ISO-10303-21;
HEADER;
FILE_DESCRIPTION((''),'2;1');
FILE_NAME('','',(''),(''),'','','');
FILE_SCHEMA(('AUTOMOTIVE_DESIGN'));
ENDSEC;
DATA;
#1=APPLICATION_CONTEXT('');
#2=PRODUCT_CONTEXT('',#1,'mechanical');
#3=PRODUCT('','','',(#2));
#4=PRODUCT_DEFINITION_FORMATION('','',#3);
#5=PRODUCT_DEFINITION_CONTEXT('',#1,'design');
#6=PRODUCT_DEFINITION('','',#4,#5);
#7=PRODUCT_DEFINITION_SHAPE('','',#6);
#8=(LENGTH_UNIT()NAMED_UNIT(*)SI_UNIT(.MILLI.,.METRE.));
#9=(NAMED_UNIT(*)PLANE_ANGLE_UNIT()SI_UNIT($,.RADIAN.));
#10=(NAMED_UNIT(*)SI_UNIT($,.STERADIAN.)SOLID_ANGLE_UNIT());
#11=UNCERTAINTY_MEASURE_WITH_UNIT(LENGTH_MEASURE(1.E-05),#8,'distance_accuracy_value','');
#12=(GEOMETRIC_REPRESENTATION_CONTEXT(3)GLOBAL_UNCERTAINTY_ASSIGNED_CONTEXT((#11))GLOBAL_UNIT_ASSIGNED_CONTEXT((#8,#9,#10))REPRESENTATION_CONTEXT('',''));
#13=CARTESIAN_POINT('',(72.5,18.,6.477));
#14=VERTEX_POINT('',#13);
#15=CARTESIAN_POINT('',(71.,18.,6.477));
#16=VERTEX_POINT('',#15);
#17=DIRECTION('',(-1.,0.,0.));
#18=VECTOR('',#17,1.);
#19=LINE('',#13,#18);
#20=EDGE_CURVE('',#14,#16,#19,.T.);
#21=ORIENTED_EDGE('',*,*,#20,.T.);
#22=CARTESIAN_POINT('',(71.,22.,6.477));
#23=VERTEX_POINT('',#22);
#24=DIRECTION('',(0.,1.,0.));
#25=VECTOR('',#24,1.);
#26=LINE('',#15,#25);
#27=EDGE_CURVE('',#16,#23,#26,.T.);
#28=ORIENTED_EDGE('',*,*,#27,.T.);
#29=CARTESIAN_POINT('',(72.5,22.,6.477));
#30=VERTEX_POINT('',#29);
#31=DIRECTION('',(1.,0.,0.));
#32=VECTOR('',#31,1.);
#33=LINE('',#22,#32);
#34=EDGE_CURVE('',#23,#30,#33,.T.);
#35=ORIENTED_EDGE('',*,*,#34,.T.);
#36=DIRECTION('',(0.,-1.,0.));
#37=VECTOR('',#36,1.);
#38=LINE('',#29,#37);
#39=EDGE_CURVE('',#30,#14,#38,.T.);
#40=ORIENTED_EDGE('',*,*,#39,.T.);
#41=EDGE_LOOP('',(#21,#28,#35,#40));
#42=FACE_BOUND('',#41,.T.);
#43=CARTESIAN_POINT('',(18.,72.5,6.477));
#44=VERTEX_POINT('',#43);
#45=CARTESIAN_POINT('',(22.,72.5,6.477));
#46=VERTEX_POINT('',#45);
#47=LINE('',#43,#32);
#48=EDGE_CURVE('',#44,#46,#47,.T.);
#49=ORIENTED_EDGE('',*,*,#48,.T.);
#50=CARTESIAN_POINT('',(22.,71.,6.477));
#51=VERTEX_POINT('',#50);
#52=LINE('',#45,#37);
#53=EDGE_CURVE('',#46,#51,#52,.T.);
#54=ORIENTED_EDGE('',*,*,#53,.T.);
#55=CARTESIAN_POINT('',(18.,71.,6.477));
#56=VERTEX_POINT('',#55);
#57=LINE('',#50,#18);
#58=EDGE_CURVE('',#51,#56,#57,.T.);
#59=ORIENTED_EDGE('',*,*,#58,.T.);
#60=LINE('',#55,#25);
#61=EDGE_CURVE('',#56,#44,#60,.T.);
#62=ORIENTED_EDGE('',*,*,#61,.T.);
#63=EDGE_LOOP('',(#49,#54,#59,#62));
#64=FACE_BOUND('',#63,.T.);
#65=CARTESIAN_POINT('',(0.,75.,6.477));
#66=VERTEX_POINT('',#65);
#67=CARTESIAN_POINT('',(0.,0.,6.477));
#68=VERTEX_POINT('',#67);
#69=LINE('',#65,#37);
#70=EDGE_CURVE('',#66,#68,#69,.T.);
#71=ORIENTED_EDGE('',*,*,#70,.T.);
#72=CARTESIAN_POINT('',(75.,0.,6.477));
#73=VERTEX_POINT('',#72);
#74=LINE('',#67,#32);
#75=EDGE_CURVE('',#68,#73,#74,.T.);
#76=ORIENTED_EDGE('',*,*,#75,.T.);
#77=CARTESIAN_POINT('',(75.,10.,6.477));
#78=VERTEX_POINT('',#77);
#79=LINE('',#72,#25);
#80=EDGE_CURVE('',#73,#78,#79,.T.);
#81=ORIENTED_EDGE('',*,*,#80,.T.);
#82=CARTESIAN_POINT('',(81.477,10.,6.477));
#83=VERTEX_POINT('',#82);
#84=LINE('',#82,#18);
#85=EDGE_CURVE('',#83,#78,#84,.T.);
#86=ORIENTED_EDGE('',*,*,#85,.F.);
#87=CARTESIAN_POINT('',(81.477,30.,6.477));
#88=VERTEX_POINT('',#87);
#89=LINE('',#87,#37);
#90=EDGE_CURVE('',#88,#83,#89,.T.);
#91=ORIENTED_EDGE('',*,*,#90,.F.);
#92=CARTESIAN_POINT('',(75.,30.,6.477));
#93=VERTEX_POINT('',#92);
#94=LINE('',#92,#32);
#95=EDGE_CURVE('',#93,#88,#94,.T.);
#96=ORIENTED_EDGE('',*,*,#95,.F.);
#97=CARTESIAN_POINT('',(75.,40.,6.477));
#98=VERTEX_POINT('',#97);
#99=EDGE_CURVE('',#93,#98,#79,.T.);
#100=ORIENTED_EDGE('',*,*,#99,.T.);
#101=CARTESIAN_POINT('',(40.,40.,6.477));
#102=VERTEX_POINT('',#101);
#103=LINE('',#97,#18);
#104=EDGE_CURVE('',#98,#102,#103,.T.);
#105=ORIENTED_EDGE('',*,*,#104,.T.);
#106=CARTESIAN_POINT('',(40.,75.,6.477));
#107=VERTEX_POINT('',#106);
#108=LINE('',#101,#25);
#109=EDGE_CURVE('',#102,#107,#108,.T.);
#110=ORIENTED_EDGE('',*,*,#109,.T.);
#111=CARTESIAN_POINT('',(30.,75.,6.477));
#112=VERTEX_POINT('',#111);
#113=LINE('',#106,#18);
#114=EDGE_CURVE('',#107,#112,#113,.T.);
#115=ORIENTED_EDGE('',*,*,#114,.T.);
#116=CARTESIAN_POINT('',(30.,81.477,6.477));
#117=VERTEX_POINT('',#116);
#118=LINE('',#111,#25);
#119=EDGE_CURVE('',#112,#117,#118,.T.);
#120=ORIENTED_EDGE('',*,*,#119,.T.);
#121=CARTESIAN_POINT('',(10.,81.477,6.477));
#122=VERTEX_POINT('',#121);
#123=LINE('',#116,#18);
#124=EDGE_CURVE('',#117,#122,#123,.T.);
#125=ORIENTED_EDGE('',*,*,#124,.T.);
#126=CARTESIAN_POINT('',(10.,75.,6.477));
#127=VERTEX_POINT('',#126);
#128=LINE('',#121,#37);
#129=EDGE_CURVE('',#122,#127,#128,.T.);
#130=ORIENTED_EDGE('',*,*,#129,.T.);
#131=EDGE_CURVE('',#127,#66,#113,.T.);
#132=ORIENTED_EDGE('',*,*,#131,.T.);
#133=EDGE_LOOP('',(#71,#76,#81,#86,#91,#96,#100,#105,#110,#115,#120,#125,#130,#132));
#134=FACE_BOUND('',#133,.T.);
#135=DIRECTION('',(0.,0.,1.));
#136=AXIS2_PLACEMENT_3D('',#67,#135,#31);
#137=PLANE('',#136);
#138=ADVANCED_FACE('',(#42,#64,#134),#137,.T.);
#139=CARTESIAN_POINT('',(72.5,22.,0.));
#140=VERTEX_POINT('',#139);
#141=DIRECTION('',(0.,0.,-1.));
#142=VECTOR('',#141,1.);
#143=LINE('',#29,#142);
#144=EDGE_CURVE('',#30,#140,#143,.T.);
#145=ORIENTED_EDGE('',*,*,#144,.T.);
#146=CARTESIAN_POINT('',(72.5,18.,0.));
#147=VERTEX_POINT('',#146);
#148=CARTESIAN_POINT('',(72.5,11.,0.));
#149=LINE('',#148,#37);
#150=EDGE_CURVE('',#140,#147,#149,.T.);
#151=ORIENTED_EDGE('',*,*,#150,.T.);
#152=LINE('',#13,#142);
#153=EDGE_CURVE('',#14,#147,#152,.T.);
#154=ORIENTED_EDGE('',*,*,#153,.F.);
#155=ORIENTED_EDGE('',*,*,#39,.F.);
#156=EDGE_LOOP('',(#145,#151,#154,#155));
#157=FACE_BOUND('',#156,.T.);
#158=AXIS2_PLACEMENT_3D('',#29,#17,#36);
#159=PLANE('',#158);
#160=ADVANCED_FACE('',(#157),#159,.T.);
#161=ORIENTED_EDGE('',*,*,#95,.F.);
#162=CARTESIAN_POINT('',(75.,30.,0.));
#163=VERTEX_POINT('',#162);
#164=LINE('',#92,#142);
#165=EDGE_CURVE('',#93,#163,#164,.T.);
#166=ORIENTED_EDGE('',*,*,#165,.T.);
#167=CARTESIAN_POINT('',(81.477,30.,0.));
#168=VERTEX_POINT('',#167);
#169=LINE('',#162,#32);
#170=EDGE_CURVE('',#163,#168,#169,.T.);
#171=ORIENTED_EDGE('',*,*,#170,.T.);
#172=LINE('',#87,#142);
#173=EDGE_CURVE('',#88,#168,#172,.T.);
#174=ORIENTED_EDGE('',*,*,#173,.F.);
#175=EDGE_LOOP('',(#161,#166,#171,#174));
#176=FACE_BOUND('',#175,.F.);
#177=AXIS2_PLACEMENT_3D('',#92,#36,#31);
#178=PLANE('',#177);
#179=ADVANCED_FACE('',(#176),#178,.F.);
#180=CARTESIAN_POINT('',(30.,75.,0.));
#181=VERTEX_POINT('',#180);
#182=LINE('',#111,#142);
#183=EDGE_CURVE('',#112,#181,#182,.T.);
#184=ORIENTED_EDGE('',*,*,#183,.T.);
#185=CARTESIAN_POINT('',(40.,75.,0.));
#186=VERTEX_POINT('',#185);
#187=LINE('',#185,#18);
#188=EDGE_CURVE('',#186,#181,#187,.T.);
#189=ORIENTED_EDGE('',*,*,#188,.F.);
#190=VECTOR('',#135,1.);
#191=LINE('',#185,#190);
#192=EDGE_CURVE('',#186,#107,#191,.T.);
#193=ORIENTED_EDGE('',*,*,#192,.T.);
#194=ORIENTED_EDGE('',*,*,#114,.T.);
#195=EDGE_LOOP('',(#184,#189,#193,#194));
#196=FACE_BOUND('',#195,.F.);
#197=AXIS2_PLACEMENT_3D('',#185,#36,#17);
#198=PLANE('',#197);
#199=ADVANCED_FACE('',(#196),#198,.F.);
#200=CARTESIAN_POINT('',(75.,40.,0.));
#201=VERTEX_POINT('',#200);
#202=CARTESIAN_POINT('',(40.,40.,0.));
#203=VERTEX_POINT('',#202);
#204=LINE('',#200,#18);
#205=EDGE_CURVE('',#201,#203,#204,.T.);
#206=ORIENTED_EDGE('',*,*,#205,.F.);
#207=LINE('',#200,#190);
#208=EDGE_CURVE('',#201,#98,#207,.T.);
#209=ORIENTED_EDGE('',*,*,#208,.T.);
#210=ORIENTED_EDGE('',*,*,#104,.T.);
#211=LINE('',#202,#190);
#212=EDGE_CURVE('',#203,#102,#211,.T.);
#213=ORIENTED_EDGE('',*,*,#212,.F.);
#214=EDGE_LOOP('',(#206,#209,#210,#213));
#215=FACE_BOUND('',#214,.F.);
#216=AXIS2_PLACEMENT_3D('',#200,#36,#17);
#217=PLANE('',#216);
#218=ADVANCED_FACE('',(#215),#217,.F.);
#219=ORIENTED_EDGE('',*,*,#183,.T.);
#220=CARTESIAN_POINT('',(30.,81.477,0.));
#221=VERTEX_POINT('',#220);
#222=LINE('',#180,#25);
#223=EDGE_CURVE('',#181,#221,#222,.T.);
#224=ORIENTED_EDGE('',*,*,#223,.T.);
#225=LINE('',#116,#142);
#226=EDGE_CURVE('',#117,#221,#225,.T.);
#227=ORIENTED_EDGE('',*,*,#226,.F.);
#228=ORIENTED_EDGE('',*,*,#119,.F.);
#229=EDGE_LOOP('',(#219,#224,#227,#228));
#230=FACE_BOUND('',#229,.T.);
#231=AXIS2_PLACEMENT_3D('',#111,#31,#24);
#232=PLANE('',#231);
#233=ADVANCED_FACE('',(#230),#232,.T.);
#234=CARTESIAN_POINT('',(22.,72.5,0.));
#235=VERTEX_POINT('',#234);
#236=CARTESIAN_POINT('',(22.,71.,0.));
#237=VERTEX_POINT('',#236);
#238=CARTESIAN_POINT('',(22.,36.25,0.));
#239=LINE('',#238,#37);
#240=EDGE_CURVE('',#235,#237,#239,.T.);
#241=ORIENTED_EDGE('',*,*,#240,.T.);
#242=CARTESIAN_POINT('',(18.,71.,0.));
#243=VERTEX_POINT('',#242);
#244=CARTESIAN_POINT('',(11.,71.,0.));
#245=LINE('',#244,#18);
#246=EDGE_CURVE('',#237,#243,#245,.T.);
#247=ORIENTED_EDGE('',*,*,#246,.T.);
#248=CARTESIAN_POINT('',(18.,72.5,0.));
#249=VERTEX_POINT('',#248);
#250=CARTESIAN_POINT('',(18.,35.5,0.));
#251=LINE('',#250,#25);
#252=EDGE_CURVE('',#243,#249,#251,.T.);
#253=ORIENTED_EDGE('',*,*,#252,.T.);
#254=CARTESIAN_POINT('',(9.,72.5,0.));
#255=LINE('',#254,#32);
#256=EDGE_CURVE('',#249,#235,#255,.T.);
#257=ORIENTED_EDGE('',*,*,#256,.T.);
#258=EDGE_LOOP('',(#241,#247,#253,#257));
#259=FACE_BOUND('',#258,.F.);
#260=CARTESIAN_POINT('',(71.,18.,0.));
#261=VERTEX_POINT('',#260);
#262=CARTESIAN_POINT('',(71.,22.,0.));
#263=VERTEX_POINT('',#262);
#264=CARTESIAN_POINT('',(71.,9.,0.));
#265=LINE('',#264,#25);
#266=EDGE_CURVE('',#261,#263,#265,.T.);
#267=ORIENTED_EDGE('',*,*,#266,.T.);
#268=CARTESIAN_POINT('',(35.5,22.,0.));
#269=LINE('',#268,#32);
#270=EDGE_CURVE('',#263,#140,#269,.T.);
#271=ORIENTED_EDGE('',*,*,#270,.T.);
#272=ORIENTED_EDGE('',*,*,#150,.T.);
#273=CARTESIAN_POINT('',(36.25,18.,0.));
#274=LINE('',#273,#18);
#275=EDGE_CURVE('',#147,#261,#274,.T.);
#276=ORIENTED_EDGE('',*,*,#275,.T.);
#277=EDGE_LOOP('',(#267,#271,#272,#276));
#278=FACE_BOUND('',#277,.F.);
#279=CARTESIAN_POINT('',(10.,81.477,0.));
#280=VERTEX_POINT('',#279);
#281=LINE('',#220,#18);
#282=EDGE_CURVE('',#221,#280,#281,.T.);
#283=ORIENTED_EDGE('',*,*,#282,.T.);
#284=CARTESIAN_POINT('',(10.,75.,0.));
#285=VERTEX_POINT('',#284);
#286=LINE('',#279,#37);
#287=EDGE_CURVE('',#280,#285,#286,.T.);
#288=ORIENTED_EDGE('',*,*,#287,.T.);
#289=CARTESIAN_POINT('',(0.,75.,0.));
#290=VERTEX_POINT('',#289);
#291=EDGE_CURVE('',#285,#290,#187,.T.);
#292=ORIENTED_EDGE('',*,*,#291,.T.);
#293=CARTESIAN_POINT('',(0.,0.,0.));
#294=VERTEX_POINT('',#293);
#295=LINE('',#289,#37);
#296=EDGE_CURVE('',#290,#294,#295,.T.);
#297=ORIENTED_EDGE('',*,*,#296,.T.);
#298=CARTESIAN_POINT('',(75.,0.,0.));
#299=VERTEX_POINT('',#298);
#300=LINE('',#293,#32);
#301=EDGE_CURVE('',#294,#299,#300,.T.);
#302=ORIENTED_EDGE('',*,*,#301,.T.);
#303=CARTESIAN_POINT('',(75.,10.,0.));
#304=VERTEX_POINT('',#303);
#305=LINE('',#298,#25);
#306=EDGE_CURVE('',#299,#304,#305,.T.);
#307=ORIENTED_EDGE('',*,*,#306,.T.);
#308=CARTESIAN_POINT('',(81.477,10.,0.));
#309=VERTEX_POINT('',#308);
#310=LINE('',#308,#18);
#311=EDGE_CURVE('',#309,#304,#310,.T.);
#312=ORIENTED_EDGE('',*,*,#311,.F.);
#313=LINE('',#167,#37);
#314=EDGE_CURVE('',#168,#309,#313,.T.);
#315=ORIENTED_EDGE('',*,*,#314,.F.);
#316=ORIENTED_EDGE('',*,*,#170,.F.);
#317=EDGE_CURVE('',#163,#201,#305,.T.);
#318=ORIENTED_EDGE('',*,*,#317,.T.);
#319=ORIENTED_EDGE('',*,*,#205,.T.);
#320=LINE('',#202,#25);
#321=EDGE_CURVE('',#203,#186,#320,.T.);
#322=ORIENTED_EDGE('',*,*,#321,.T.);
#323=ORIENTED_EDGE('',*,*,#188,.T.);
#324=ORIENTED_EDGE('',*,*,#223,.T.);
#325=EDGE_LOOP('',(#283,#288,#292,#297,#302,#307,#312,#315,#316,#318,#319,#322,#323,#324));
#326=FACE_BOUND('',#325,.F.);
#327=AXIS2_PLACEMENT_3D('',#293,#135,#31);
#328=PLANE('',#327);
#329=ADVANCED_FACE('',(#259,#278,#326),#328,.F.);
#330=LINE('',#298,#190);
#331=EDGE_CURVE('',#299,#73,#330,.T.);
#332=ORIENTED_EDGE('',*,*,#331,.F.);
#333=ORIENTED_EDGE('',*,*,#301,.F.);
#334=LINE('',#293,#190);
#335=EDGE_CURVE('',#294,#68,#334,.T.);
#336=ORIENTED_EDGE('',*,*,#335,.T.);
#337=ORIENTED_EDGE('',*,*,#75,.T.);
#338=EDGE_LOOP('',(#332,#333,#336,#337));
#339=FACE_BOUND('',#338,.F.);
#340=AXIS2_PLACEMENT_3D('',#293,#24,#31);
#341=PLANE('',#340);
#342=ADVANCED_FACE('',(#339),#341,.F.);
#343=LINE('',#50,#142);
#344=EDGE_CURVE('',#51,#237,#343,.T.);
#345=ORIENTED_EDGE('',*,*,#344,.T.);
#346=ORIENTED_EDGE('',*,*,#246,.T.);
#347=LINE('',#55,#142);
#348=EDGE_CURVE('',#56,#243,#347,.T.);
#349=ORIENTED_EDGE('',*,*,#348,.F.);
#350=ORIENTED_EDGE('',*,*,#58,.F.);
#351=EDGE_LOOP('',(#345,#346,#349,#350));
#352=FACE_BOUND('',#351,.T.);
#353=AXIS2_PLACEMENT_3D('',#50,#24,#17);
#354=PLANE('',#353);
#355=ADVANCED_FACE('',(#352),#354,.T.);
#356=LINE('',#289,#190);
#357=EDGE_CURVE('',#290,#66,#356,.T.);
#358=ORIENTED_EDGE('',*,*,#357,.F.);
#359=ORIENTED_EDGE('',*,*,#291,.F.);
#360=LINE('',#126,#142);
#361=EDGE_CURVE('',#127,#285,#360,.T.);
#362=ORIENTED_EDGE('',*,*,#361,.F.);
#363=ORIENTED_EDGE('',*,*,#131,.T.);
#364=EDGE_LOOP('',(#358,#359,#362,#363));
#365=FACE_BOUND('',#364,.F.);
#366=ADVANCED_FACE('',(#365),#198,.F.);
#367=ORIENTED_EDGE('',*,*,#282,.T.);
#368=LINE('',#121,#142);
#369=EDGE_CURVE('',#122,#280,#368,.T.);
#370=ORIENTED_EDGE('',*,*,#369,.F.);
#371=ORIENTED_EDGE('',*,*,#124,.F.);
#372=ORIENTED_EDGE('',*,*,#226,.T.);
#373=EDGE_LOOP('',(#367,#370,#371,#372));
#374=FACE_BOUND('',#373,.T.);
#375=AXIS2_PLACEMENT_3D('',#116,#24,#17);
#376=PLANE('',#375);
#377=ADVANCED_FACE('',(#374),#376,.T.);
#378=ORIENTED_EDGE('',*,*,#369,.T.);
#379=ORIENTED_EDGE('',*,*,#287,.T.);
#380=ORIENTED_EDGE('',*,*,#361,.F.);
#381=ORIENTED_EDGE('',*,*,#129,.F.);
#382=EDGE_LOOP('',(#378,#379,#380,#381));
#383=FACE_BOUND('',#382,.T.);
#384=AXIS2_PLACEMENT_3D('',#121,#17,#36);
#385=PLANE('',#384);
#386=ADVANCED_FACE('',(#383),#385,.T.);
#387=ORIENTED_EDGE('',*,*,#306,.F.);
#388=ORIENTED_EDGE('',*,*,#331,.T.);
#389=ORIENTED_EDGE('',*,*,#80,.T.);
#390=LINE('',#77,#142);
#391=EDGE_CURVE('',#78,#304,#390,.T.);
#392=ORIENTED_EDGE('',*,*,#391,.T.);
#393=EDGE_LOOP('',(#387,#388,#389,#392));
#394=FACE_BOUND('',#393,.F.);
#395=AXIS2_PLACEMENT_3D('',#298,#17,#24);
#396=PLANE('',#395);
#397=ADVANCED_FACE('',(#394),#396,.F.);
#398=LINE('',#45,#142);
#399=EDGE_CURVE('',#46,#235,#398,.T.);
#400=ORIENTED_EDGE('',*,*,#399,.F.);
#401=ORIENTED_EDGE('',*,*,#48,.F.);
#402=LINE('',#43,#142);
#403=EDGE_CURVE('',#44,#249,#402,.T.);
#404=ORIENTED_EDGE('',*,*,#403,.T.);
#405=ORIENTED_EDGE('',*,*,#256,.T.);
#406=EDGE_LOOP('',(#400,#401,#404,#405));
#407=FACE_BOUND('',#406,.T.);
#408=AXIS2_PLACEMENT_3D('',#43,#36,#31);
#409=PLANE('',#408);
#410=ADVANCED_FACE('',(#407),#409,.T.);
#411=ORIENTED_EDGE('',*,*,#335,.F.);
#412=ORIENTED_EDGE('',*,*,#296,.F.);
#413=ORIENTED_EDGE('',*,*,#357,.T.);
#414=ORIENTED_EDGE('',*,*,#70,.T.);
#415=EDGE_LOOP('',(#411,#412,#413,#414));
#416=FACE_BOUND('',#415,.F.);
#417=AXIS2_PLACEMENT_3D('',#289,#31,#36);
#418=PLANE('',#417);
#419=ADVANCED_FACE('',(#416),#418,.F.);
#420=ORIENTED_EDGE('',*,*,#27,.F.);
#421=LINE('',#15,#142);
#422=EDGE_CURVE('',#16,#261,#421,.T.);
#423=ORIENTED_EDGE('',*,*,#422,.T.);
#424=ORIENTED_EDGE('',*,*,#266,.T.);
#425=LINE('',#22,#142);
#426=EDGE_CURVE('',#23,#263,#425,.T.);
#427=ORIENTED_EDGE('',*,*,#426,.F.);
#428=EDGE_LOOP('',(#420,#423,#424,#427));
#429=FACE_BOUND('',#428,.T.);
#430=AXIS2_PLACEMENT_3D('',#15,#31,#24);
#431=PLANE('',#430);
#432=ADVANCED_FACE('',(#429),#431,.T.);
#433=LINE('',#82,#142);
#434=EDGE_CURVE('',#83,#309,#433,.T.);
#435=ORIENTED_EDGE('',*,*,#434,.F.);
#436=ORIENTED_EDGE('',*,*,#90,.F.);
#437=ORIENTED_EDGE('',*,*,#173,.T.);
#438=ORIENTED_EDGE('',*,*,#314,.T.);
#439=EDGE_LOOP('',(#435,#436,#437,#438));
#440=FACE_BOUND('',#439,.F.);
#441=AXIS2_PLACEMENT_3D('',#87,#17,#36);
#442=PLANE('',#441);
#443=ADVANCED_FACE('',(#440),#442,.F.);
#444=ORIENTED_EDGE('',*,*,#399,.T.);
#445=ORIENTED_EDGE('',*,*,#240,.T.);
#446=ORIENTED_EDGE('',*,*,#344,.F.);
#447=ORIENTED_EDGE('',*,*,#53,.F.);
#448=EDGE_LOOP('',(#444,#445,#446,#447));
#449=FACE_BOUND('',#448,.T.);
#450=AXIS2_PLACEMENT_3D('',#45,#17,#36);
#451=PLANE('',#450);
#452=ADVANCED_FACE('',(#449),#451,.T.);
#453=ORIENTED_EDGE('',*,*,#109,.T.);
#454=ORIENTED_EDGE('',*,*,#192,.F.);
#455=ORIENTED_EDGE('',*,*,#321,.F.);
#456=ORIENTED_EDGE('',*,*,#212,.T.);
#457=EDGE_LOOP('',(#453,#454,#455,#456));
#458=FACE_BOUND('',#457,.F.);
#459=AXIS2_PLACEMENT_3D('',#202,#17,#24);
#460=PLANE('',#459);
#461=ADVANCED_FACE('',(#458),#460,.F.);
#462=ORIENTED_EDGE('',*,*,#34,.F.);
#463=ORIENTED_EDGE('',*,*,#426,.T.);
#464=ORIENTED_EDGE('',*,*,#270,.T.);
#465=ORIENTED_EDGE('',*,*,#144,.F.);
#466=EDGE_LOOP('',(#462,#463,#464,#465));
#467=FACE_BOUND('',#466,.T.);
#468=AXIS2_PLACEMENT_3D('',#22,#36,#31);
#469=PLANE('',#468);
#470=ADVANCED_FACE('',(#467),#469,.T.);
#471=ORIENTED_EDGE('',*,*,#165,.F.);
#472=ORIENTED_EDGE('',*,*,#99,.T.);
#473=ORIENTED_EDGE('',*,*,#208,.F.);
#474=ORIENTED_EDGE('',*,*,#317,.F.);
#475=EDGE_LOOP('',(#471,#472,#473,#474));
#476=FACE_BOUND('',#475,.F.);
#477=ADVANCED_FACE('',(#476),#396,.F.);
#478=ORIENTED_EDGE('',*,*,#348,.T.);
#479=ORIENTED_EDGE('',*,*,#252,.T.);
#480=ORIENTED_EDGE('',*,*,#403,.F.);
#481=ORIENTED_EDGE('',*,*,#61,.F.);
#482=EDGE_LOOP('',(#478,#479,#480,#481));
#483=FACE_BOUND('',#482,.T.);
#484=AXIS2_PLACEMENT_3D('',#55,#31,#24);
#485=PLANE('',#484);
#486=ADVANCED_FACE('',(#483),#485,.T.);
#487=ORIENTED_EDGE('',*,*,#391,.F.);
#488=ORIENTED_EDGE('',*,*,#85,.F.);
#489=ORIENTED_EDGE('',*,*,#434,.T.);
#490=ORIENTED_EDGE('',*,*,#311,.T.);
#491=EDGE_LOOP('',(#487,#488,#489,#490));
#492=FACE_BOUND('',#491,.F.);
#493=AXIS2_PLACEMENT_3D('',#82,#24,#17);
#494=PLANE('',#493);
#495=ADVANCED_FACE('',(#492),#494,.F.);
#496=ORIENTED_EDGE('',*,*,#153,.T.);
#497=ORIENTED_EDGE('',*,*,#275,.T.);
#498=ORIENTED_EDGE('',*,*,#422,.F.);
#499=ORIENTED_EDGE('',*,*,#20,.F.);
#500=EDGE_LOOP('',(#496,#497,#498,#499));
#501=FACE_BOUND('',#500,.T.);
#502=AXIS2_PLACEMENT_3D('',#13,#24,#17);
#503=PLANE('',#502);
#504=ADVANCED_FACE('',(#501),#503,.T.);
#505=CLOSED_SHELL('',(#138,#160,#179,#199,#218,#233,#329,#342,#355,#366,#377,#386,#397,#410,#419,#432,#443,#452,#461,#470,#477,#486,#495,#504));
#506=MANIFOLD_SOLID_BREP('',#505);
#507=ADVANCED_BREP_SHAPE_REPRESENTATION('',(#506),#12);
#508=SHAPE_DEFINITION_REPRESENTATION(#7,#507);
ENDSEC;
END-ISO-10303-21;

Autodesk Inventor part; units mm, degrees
ref_plane "YZ Plane" through (0, 0, 0) normal (1, 0, 0) x (0, 1, 0)
ref_plane "XZ Plane" through (0, 0, 0) normal (0, 1, 0) x (-1, 0, 0)
ref_plane "XY Plane" through (0, 0, 0) normal (0, 0, 1) x (1, 0, 0)
sketch "Sketch1" plane through (0, 0, 0) normal (0, 0, 1) x (1, 0, 0)
  line L0 (0, 75) -> (0, 0)
  line L1 (0, 0) -> (75, 0)
  line L2 (75, 0) -> (75, 40)
  line L3 (75, 40) -> (40, 40)
  line L4 (40, 40) -> (40, 75)
  line L5 (40, 75) -> (0, 75)
  dimension "d0" = 75
  dimension "d2" = 40
extrude "Extrusion1" add sketch "Sketch1" along normal blind 6.477
sketch "Sketch2" plane through (0, 0, 6.477) normal (0, 0, 1) x (1, 0, 0)
  line L0 (75, 0) -> (75, 40) projected
  line L1 (40, 75) -> (0, 75) projected
  line L2 (10, 75) -> (30, 75)
  line L3 (30, 75) -> (30, 81.477)
  line L4 (30, 81.477) -> (10, 81.477)
  line L5 (10, 81.477) -> (10, 75)
  line L6 (75, 30) -> (81.477, 30)
  line L7 (81.477, 30) -> (81.477, 10)
  line L8 (81.477, 10) -> (75, 10)
  line L9 (75, 10) -> (75, 30)
  point P0 (75, 20)
  point P1 (20, 75)
  dimension "d5" = 6.477
  dimension "d7" = 20
extrude "Extrusion2" add sketch "Sketch2" against normal up to surface (6.477 mm away)
sketch "Sketch3" plane through (0, 0, 6.477) normal (0, 0, 1) x (1, 0, 0)
  line L0 (81.477, 10) -> (81.477, 30) projected
  line L1 (75, 30) -> (75, 40) projected
  line L2 (40, 75) -> (30, 75) projected
  line L3 (30, 81.477) -> (10, 81.477) projected
  line L4 (18, 72.5) -> (22, 72.5)
  line L5 (22, 72.5) -> (22, 71)
  line L6 (22, 71) -> (18, 71)
  line L7 (18, 71) -> (18, 72.5)
  line L8 (72.5, 18) -> (71, 18)
  line L9 (71, 18) -> (71, 22)
  line L10 (71, 22) -> (72.5, 22)
  line L11 (72.5, 22) -> (72.5, 18)
  point P0 (72.5, 20)
  point P1 (81.477, 20)
  point P2 (20, 72.5)
  point P3 (20, 81.477)
  dimension "d10" = 2.5
  dimension "d11" = 2.5
  dimension "d12" = 1.5
  dimension "d13" = 4
extrude "Extrusion3" cut sketch "Sketch3" against normal through all
properties part number "OVERHANG SUPPORT"
